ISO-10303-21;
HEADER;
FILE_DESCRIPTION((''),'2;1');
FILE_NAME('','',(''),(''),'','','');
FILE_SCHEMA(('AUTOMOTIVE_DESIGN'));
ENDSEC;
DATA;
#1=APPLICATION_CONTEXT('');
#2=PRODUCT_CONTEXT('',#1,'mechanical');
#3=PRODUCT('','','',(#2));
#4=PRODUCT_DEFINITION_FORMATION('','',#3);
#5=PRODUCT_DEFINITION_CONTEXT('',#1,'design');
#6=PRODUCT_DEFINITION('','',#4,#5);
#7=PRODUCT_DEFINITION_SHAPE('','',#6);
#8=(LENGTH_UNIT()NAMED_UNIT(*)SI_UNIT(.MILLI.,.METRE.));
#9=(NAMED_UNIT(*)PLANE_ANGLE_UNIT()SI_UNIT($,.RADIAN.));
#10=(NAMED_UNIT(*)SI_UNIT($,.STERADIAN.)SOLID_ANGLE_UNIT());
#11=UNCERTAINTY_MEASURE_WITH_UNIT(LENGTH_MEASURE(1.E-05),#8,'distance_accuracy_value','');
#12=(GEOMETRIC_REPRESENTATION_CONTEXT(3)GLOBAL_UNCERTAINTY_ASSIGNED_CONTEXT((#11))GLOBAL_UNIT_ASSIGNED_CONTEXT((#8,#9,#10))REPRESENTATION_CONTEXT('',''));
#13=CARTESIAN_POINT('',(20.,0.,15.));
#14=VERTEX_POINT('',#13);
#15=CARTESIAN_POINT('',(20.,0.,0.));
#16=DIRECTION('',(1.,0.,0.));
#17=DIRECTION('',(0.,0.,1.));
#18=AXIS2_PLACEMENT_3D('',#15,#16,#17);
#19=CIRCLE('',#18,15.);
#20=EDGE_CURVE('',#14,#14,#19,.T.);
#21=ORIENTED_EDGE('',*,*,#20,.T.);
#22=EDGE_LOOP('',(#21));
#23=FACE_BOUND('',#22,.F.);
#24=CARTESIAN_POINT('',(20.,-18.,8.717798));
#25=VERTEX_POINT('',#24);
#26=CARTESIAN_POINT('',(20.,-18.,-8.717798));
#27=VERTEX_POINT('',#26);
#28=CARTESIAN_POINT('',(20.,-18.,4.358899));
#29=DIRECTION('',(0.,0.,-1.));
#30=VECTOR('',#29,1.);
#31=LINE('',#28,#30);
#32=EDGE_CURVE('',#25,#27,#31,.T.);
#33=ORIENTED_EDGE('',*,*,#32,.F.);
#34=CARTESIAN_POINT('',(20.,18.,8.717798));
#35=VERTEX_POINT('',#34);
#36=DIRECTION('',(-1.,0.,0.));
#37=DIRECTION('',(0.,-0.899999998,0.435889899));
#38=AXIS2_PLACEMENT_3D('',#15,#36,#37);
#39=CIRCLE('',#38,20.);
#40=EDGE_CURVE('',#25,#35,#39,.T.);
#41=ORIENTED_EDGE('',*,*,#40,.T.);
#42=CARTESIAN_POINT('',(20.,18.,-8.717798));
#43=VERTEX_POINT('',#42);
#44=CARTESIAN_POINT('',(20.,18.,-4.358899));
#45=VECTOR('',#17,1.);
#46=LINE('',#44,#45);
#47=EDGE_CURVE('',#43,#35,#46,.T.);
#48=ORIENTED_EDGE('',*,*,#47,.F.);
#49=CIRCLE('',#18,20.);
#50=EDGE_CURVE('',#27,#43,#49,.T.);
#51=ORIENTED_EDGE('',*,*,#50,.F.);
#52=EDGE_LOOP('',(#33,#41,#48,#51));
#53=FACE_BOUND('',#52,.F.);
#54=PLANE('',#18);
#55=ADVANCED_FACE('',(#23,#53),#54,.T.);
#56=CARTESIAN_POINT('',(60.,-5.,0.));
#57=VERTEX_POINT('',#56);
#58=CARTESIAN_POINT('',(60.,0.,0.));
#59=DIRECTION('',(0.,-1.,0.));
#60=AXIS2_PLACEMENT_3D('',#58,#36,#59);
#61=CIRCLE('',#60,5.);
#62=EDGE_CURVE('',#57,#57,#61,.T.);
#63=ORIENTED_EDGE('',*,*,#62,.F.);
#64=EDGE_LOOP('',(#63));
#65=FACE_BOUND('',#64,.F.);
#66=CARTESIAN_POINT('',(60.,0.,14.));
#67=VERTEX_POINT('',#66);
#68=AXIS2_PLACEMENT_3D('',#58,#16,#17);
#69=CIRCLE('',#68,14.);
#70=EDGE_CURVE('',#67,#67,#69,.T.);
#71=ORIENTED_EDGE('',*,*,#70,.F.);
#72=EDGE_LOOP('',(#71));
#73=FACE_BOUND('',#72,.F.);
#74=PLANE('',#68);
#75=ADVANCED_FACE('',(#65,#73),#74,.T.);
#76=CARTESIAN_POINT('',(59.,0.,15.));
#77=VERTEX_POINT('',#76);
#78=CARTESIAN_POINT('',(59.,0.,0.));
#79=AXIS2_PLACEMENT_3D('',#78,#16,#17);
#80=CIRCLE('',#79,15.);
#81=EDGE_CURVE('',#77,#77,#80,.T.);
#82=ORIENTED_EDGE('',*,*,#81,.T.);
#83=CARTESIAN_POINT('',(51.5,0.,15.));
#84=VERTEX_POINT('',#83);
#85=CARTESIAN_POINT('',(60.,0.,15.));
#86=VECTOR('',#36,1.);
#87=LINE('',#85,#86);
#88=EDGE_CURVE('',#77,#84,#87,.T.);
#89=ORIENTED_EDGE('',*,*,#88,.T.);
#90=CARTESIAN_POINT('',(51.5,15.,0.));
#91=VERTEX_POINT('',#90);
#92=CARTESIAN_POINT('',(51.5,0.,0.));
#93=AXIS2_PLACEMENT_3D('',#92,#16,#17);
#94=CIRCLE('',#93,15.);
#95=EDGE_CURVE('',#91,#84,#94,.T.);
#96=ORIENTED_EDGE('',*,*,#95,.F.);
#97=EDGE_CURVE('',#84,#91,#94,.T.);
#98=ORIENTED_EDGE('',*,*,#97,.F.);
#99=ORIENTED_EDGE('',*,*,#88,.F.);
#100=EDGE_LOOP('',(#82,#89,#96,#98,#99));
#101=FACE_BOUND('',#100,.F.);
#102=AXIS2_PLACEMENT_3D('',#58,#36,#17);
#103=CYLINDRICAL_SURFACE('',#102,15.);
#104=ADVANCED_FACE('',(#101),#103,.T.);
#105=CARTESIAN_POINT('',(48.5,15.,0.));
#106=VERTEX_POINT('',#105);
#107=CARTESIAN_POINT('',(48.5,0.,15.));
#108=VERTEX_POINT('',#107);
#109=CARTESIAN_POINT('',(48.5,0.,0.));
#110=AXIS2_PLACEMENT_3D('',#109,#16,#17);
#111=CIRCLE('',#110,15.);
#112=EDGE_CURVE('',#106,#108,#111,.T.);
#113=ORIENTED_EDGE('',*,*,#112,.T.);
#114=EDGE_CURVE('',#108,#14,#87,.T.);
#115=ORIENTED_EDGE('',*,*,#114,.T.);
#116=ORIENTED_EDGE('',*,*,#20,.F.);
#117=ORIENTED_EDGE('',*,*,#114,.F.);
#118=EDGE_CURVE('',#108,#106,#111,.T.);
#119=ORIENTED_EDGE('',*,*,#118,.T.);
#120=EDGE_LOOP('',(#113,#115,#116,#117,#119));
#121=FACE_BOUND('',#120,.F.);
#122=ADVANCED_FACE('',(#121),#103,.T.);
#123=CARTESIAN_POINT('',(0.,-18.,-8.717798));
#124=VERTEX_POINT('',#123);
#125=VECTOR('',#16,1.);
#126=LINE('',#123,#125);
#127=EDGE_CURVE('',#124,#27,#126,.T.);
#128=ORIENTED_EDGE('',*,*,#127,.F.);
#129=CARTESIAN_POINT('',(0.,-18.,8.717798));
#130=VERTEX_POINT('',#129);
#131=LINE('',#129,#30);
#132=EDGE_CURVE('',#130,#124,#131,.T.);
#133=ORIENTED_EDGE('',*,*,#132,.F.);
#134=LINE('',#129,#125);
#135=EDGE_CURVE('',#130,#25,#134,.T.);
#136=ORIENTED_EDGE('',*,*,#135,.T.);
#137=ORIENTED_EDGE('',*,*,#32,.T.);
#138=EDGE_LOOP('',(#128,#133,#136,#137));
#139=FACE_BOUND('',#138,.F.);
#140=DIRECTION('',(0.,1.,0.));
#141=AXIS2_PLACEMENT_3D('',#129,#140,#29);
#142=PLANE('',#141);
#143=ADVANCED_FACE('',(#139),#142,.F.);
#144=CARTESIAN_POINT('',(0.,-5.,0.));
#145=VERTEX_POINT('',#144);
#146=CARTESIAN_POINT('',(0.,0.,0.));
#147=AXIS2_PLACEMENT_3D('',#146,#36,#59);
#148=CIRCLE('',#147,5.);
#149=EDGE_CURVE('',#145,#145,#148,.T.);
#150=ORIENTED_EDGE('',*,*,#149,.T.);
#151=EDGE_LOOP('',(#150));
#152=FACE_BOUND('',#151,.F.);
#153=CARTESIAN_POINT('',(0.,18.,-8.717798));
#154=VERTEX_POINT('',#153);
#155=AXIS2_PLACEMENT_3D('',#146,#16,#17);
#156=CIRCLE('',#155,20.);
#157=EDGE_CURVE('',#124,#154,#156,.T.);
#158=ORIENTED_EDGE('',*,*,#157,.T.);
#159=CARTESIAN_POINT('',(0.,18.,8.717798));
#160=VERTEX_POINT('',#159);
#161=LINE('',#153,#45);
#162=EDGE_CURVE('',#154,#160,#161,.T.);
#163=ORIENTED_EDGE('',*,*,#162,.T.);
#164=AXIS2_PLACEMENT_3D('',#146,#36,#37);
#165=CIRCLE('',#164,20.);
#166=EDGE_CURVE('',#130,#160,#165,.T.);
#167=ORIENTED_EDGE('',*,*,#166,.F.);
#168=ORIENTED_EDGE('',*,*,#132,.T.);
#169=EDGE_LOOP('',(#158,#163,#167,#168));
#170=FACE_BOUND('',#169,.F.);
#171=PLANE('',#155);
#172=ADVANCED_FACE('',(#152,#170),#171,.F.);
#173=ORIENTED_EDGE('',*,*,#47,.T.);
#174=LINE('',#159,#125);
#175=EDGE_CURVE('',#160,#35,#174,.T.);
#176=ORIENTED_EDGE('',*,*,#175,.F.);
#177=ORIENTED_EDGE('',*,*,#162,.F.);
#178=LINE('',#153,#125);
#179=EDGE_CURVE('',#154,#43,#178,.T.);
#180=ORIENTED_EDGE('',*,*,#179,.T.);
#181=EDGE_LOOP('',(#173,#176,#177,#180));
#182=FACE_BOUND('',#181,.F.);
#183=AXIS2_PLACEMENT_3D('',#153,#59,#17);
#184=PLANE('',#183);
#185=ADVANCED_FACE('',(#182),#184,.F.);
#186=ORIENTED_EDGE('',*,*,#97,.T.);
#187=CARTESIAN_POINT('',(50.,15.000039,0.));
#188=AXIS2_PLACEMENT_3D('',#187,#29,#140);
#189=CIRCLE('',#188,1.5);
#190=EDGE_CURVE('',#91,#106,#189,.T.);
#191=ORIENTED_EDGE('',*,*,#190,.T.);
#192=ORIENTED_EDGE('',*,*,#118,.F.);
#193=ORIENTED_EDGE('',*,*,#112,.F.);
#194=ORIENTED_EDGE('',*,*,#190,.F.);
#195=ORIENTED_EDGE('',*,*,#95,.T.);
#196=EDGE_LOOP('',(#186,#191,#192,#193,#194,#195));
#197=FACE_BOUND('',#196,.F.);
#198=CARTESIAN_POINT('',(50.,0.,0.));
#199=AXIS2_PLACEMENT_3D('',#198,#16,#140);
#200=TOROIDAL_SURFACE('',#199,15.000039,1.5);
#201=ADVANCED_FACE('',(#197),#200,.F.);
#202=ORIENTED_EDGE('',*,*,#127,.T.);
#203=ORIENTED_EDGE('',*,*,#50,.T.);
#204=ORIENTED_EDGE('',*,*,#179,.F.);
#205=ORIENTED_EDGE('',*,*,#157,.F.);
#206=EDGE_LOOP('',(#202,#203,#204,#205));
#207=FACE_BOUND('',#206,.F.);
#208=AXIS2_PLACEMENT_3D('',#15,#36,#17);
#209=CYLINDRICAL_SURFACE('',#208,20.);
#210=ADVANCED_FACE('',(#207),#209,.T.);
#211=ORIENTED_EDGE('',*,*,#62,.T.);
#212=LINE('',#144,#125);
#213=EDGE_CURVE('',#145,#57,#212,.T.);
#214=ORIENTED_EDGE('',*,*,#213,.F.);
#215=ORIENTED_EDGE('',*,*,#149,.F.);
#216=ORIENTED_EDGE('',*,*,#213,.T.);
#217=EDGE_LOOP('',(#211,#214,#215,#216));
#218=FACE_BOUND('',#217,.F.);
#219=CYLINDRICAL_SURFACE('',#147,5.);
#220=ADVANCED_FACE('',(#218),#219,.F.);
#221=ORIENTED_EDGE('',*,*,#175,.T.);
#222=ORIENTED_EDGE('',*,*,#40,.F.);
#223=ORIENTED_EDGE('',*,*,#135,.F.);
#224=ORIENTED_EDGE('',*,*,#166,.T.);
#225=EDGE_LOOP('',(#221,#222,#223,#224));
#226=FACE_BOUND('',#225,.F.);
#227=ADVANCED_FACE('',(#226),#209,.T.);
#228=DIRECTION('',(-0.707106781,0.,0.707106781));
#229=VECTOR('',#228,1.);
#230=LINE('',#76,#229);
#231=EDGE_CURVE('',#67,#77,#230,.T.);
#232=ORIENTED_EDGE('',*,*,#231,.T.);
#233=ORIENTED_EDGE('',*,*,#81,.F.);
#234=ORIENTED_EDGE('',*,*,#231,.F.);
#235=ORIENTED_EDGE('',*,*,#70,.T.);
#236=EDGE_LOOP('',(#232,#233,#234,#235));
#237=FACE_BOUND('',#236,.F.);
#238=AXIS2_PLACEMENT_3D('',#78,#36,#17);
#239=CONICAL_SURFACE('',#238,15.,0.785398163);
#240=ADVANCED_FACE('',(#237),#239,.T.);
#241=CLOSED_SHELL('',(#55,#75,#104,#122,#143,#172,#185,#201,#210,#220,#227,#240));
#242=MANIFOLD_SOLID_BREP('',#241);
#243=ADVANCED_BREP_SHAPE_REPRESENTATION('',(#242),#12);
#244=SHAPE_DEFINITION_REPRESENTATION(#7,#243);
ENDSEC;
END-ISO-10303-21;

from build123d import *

# Parameters (mm, degrees)
F2_R      = 5
F3_DEPTH  = 60.001
F4_SIZE   = 1
F7_R      = 1.5
F10_DEPTH = 60.001


with BuildPart() as f1:
    # F0 (on Front) → F1 (revolve)
    with BuildSketch(Plane.XZ):
        Polygon((0, 20), (0, 0), (60, 0), (60, 15), (20, 15), (20, 20), align=None)
    revolve(axis=Axis((13.371463, 0, 0), (1, 0, 0)))

    # F2 (on face) → F3 (cut, through all)
    with BuildSketch(Plane(origin=(0, 0, 0), x_dir=(0, -1, 0), z_dir=(-1, 0, 0))):
        Circle(F2_R)
    extrude(amount=-F3_DEPTH, mode=Mode.SUBTRACT)

    # F4
    f4_edges = [f1.edges().sort_by_distance(p)[0] for p in [
        (60, 0, -15),
    ]]
    chamfer(f4_edges, length=F4_SIZE)

    # F8: sweep along a path in F6
    with BuildLine(Plane.YZ.offset(50)) as f8_path:
        CenterArc((0, 0), 15, 0, 360)
    # F7 (on Front) → F8 (sweep, cut)
    with BuildSketch(Plane.XZ):
        with Locations((50, 15.000039)):
            Circle(F7_R)
    sweep(path=f8_path.line, mode=Mode.SUBTRACT)

    # F9 (on face) → F10 (cut, through all)
    with BuildSketch(Plane(origin=(0, 0, 0), x_dir=(0, -1, 0), z_dir=(-1, 0, 0))):
        with BuildLine():
            Line((-18, -8.717798), (-18, 8.717798))
            ThreePointArc((-18, 8.717798), (-20, 0), (-18, -8.717798))
        make_face()
        with BuildLine():
            ThreePointArc((20, 0), (19.493589, 4.472136), (18, 8.717798))
            Line((18, 8.717798), (18, -8.717798))
            ThreePointArc((18, -8.717798), (19.493589, -4.472136), (20, 0))
        make_face()
    extrude(amount=-F10_DEPTH, mode=Mode.SUBTRACT)


solid = f1.part
